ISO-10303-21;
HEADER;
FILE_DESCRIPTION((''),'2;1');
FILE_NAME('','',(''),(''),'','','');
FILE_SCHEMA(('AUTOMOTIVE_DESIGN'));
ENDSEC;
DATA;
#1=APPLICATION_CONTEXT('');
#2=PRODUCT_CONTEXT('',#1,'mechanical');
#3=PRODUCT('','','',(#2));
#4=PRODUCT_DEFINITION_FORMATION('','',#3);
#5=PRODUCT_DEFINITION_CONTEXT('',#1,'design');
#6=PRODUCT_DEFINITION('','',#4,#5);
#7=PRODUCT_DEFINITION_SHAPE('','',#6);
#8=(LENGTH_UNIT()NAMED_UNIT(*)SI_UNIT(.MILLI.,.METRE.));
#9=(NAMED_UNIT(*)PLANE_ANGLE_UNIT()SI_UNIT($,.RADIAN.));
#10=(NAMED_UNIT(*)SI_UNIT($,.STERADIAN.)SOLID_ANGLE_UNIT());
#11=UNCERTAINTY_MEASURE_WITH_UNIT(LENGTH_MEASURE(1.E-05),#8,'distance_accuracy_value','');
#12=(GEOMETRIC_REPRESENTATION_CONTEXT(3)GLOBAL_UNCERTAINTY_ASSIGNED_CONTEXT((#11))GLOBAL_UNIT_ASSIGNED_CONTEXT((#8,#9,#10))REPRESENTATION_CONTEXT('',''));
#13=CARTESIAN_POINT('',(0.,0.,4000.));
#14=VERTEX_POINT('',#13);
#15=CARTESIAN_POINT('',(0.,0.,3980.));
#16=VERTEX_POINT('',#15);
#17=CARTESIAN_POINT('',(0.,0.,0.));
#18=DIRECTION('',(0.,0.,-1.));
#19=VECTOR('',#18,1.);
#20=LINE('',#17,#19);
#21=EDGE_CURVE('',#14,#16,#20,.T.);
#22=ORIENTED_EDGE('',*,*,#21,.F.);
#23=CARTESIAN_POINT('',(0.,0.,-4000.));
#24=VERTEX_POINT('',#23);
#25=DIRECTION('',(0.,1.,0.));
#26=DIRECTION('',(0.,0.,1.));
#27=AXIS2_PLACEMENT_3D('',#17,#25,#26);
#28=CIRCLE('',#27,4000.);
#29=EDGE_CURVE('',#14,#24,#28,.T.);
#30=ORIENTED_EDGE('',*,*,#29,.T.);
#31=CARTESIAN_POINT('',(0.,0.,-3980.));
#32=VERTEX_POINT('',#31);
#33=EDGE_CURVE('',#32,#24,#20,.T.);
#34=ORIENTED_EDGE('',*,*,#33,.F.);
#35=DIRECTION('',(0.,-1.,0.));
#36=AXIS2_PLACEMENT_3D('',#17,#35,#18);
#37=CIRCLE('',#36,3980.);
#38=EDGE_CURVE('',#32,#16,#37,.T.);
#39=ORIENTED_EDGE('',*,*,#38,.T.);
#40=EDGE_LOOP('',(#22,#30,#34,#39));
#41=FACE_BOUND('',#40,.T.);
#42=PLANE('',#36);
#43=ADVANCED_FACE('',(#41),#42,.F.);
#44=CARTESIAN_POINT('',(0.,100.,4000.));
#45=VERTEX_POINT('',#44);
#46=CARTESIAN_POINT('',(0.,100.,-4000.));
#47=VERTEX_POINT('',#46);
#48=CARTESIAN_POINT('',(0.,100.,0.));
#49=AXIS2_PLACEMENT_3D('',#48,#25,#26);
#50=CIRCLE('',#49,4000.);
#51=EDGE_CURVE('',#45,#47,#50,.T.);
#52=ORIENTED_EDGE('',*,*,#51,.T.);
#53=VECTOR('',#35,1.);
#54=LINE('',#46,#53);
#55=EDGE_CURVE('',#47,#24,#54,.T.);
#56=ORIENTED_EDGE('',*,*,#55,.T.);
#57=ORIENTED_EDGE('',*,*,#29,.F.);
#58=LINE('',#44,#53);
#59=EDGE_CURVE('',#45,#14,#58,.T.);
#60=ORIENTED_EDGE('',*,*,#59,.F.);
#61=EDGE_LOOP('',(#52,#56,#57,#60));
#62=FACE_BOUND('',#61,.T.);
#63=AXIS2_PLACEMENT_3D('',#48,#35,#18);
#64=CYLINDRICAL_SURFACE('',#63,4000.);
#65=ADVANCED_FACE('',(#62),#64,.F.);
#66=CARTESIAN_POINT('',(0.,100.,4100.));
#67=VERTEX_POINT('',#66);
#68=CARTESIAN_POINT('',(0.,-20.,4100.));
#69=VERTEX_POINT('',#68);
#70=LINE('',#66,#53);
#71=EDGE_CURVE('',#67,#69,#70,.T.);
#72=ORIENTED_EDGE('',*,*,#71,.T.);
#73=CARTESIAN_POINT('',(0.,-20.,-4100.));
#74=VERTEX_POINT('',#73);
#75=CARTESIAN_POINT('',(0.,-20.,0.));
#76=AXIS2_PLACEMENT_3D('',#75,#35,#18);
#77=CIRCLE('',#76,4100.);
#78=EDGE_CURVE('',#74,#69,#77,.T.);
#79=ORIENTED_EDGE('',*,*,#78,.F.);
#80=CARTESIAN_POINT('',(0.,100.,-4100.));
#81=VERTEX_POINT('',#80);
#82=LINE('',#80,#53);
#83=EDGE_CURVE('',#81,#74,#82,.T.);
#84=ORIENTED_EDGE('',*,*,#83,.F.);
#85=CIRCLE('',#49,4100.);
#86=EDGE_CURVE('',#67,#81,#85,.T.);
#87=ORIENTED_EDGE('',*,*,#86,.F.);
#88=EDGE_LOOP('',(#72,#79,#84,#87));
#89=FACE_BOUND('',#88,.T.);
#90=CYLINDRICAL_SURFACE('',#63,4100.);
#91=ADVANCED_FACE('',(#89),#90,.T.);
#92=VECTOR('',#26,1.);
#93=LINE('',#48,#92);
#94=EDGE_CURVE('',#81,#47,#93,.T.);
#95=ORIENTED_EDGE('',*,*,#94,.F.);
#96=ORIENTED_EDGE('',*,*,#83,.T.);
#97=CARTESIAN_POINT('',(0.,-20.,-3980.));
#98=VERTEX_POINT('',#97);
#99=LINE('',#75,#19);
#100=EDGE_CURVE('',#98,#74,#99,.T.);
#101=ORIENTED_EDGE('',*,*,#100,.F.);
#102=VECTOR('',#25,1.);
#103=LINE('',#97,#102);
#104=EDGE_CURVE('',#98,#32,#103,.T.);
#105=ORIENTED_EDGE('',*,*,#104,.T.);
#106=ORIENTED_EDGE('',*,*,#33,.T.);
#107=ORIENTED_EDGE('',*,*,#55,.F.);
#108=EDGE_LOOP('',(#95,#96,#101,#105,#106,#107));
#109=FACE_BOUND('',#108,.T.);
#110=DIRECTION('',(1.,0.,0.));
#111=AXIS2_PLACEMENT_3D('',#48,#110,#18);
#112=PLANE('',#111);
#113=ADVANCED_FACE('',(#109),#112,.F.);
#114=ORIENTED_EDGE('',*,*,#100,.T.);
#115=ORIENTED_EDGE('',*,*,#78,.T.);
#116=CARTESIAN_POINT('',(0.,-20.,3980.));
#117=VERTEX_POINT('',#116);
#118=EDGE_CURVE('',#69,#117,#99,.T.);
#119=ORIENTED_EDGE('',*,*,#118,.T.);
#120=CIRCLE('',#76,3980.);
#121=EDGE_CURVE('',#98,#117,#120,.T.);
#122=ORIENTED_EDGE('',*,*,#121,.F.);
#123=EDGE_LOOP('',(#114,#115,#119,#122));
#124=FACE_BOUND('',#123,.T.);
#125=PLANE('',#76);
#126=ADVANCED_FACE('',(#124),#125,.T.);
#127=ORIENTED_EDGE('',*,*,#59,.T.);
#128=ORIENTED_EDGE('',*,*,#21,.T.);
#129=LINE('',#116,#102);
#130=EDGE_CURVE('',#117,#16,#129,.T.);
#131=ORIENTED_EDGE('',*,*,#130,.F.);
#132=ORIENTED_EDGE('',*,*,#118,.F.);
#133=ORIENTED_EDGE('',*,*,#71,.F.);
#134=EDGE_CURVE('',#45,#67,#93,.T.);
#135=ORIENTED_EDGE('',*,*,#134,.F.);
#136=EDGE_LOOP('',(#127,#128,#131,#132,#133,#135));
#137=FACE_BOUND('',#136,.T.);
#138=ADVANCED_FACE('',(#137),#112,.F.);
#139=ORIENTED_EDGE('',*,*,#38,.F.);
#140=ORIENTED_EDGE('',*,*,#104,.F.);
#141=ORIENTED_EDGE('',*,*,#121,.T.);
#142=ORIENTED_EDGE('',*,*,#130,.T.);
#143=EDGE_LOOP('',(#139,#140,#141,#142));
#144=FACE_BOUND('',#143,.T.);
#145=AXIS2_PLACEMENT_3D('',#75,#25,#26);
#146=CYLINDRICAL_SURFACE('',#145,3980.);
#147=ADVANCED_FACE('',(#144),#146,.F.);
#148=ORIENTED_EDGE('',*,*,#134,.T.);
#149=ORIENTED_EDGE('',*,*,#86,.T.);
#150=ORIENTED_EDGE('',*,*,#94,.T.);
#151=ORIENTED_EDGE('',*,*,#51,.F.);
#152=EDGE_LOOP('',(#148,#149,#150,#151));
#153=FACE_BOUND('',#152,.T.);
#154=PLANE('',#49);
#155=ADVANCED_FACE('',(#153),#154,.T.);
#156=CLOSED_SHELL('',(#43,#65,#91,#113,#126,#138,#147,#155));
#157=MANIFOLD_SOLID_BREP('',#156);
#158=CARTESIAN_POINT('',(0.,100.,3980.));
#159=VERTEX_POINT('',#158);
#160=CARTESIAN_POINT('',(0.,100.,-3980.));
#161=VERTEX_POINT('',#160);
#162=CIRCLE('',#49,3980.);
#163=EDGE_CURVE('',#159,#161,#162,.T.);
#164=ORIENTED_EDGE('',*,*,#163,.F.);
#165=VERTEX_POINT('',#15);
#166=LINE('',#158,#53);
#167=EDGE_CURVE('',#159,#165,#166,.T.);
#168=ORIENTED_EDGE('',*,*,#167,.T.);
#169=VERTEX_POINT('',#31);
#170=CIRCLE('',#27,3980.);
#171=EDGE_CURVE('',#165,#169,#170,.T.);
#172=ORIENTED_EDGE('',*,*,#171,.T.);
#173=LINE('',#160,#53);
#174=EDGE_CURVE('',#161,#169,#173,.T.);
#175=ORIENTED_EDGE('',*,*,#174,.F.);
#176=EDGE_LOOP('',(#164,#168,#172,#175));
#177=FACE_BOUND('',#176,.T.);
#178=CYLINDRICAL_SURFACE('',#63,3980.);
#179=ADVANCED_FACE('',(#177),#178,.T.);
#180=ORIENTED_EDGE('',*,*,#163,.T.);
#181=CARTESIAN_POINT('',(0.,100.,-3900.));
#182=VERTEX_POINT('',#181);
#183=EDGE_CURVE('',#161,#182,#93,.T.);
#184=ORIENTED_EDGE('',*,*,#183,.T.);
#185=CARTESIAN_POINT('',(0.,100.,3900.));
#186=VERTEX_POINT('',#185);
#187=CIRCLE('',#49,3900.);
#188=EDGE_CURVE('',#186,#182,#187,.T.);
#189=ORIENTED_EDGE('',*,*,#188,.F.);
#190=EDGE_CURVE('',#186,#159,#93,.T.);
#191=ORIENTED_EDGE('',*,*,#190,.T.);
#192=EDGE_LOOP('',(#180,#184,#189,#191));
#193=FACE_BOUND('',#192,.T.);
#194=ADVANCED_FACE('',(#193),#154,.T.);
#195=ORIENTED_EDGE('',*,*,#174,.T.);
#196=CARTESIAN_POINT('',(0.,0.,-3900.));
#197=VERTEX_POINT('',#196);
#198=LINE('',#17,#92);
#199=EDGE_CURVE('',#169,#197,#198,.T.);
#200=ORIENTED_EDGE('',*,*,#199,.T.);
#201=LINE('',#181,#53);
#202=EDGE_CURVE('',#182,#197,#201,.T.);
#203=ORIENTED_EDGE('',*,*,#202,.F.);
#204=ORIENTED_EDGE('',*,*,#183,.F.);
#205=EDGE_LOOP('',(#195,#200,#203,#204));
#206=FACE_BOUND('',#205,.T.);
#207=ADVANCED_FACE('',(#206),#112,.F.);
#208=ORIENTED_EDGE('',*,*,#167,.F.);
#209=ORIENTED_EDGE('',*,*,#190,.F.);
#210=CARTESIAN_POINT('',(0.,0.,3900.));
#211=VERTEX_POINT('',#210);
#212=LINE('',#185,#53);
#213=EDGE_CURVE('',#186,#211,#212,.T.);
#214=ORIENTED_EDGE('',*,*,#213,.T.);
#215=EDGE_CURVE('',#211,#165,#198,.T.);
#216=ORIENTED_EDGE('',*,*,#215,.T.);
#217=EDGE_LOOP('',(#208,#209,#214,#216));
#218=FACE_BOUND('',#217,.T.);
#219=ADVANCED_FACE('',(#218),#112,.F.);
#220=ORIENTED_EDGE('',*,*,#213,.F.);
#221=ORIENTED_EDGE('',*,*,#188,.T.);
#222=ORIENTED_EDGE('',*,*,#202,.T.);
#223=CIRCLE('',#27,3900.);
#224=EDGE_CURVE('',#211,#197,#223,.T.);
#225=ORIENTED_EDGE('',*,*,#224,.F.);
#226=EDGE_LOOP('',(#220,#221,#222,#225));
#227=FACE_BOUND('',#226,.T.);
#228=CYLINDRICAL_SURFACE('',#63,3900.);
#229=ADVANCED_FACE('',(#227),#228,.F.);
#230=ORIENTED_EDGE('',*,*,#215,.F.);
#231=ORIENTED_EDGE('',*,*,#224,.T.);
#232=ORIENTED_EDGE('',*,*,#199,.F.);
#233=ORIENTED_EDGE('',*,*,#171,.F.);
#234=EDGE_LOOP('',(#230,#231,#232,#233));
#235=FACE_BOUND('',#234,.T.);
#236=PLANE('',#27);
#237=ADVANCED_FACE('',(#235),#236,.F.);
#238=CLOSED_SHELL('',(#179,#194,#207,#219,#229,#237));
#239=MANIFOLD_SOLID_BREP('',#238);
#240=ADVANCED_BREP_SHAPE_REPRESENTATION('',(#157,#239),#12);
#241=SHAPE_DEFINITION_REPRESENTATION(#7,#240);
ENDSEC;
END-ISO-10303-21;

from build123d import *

# Parameters (mm, degrees)
BOSS_EXTRUDE1_DEPTH   = 100
BOSS_EXTRUDE1_2_DEPTH = 100
BOSS_EXTRUDE2_START   = 20
BOSS_EXTRUDE2_DEPTH   = 20


with BuildPart() as part:
    # Sketch1 → Boss-Extrude1 (new body)
    with BuildSketch(Plane(origin=(0, 0, 0), x_dir=(1, 0, 0), z_dir=(0, 1, 0))):
        with BuildLine():
            ThreePointArc((4100, 0), (2899.137802865, 2899.137802865), (0, 4100))
            Line((0, 4100), (0, 4000))
            ThreePointArc((0, 4000), (2828.427124746, 2828.427124746), (4000, 0))
            ThreePointArc((4000, 0), (2828.427124746, -2828.427124746), (0, -4000))
            Line((0, -4000), (0, -4100))
            ThreePointArc((0, -4100), (2899.137802865, -2899.137802865), (4100, 0))
        make_face()
    extrude(amount=BOSS_EXTRUDE1_DEPTH)

    # Sketch2 → Boss-Extrude2 (add)
    with BuildSketch(Plane.XZ.offset(BOSS_EXTRUDE2_START)):
        with BuildLine():
            ThreePointArc((4100, 0), (2899.137802865, 2899.137802865), (0, 4100))
            Line((0, 4100), (0, 3980))
            ThreePointArc((0, 3980), (3980, 0), (0, -3980))
            Line((0, -3980), (0, -4100))
            ThreePointArc((0, -4100), (2899.137802865, -2899.137802865), (4100, 0))
        make_face()
    extrude(amount=-BOSS_EXTRUDE2_DEPTH)


with BuildPart() as body_2:
    # Sketch1 → Boss-Extrude1 2 (new body)
    with BuildSketch(Plane(origin=(0, 0, 0), x_dir=(1, 0, 0), z_dir=(0, 1, 0))):
        with BuildLine():
            ThreePointArc((3980, 0), (2814.284989123, 2814.284989122), (0, 3980))
            Line((0, 3980), (0, 3900))
            ThreePointArc((0, 3900), (2757.716446628, 2757.716446627), (3900, 0))
            ThreePointArc((3900, 0), (2757.716446628, -2757.716446627), (0, -3900))
            Line((0, -3900), (0, -3980))
            ThreePointArc((0, -3980), (2814.284989123, -2814.284989122), (3980, 0))
        make_face()
    extrude(amount=BOSS_EXTRUDE1_2_DEPTH)


solid = Compound([part.part, body_2.part])
